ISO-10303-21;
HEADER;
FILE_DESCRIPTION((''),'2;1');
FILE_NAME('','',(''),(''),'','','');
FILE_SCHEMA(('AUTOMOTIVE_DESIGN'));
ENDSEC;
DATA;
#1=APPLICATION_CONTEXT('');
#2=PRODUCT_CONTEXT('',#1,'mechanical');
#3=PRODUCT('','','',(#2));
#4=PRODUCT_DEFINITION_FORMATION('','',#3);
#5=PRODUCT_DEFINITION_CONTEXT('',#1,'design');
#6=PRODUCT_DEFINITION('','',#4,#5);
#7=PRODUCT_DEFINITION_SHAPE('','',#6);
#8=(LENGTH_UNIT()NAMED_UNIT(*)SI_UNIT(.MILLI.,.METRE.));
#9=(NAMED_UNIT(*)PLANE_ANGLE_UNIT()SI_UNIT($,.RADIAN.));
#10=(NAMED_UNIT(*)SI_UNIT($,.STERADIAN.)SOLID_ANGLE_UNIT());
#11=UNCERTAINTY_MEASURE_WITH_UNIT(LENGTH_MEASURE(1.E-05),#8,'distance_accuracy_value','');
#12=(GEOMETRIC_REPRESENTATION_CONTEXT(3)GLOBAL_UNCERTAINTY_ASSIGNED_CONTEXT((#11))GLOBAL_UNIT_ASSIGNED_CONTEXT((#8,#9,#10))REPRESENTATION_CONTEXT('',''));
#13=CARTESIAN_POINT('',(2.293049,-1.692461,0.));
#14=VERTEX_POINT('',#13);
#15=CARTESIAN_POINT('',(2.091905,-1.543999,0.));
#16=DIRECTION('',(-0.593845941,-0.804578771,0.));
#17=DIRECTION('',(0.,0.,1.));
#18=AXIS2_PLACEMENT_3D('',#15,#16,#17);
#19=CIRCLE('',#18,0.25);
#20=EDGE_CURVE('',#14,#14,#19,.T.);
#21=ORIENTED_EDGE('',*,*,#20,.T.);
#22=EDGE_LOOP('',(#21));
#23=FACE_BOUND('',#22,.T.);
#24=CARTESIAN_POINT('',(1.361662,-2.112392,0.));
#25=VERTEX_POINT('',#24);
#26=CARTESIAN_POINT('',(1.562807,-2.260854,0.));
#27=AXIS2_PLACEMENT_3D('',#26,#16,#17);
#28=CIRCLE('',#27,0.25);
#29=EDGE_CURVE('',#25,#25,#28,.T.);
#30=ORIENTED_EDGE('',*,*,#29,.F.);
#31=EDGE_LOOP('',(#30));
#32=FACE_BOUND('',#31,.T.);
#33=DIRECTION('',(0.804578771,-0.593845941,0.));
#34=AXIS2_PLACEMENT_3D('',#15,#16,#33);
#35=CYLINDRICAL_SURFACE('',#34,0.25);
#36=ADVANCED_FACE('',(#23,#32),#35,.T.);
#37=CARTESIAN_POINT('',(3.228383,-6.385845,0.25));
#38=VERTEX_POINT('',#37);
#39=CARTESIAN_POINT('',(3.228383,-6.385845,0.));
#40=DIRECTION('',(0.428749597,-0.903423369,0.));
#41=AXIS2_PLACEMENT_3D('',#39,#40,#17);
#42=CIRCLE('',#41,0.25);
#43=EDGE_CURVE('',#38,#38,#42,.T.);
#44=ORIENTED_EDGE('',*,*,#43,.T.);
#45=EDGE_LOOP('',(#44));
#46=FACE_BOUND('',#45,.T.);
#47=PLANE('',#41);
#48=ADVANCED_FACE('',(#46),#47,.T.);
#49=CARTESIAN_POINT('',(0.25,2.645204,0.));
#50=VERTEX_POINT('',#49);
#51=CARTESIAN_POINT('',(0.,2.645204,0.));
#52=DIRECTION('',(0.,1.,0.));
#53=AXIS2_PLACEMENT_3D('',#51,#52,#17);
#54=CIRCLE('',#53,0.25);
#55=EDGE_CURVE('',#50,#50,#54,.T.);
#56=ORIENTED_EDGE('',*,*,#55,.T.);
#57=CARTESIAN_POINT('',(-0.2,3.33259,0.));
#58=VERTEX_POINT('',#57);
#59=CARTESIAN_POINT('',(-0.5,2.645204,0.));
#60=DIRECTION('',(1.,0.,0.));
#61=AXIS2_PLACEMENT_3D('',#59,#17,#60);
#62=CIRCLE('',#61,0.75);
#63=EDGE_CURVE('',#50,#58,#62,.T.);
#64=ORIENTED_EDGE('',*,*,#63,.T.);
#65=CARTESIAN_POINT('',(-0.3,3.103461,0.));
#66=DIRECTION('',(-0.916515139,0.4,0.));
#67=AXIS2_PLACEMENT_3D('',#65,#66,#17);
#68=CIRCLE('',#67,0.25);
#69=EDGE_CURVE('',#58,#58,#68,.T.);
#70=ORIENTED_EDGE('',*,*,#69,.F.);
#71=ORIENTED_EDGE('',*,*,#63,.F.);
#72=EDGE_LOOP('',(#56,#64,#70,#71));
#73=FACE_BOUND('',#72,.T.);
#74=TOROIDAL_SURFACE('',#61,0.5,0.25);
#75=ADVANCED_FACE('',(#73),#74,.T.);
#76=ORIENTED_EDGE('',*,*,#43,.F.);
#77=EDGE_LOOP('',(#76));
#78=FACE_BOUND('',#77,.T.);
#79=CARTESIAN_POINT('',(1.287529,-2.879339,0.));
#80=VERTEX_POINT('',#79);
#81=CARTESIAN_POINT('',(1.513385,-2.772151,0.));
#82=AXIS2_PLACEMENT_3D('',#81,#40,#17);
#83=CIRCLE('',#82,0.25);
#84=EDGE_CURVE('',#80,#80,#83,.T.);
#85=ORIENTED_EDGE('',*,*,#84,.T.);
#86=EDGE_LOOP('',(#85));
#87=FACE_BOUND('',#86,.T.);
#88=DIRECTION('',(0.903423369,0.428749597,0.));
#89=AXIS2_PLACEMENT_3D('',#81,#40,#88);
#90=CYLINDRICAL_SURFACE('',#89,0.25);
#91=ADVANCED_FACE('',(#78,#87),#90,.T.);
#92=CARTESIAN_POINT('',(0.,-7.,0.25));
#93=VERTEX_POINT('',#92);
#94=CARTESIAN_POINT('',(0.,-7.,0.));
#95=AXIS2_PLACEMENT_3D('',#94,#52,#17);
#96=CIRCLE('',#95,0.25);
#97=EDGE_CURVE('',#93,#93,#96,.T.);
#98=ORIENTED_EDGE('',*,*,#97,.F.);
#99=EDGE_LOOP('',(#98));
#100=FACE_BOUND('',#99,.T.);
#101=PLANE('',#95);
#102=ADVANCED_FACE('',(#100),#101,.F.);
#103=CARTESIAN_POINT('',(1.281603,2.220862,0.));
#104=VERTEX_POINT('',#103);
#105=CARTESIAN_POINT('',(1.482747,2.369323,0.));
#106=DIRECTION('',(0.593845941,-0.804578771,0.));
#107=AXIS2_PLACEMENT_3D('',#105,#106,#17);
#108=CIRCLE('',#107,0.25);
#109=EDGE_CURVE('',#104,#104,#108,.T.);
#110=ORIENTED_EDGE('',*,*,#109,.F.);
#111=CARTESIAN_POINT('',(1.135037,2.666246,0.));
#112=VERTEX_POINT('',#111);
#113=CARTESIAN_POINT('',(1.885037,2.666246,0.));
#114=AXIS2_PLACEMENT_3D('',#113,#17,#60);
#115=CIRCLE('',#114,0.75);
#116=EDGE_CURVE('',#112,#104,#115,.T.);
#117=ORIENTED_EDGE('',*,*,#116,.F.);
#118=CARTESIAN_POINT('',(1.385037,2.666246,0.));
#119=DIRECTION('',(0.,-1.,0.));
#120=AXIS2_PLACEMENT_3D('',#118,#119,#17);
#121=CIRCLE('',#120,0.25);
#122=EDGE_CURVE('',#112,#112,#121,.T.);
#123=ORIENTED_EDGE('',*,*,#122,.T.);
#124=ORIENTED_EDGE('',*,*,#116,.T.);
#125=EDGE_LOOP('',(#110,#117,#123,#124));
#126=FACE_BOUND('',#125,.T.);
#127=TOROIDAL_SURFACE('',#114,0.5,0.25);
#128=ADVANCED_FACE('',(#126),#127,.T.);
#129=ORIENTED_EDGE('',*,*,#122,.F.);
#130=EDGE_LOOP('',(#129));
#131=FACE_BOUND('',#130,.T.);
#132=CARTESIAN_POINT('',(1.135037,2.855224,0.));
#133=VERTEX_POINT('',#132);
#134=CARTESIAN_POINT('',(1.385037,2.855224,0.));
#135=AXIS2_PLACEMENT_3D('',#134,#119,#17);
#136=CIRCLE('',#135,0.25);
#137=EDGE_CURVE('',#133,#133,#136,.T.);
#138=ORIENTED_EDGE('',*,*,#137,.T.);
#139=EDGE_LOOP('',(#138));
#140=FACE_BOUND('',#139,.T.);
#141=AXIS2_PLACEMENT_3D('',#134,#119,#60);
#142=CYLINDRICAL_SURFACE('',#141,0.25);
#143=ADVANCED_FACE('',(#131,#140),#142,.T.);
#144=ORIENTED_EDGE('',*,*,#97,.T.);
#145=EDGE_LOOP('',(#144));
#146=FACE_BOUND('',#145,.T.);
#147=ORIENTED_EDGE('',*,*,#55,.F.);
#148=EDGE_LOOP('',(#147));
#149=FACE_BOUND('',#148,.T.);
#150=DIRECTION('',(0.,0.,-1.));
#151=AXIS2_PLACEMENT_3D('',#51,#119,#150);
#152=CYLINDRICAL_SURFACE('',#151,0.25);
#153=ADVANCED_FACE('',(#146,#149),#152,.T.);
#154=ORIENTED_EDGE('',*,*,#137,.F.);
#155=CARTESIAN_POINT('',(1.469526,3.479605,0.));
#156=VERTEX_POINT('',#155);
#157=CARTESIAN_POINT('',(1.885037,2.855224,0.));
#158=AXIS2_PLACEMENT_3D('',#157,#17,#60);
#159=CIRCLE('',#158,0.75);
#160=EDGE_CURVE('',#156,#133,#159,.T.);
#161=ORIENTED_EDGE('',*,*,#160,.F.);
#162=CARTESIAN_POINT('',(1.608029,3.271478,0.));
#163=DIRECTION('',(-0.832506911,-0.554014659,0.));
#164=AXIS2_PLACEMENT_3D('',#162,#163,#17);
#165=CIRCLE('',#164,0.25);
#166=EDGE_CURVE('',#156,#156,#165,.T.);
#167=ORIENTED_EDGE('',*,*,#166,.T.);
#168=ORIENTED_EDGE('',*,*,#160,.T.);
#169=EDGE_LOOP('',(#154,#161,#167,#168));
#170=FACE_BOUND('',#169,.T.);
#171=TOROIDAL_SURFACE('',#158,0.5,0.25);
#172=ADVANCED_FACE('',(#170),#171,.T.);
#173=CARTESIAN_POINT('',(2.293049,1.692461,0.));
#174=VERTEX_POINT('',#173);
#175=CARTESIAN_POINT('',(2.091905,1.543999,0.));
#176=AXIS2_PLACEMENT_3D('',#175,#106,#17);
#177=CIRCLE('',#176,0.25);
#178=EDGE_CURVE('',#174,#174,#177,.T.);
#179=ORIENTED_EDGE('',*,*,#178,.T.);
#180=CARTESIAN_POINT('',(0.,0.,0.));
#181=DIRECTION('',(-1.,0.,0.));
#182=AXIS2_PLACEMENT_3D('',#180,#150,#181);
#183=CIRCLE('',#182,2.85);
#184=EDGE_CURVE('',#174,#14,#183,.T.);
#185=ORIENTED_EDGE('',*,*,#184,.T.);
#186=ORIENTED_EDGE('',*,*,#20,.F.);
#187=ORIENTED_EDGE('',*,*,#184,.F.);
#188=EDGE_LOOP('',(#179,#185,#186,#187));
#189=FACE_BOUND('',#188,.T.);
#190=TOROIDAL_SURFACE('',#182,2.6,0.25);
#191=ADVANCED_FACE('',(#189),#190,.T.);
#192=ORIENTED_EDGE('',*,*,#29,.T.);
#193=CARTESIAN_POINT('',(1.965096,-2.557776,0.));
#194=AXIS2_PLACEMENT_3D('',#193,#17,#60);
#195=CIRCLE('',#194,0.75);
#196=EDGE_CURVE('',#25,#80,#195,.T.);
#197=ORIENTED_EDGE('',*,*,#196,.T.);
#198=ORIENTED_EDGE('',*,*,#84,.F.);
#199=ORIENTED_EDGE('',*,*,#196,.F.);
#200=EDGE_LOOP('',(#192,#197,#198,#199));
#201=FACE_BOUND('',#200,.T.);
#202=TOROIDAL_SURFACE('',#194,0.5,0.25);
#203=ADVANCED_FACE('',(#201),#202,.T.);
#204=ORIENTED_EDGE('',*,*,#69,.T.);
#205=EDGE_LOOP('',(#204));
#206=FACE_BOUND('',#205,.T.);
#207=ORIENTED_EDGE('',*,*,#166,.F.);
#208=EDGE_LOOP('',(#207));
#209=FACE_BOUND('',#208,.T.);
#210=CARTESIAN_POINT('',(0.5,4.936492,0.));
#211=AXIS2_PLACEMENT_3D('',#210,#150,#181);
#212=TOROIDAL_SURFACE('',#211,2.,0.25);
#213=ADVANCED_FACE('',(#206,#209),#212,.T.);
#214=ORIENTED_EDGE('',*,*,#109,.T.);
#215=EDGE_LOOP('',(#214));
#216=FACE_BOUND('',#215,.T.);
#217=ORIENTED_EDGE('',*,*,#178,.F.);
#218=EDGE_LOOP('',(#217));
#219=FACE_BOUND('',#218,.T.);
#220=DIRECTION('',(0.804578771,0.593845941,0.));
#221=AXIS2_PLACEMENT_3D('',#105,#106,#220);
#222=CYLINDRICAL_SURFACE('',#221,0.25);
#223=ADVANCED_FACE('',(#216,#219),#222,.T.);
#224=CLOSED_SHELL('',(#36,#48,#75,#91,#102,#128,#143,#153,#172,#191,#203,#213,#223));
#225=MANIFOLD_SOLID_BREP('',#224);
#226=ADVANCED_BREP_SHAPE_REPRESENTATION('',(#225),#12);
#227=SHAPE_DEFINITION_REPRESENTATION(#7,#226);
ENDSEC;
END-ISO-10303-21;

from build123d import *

# Parameters (mm, degrees)
ESQUISSE2_R = 0.25


with BuildPart() as part:
    # Base-Balayage: sweep along a path in Esquisse1
    with BuildLine(Plane.XY) as base_balayage_path:
        Line((0, -7), (0, 2.645203826))
        ThreePointArc((0, 2.645203826), (-0.081669987, 2.919065104), (-0.3, 3.103461395))
        ThreePointArc((-0.3, 3.103461395), (0.324563694, 6.92878234), (1.608029318, 3.271477851))
        ThreePointArc((1.608029318, 3.271477851), (1.444296552, 3.091334894), (1.385036648, 2.855224395))
        Line((1.385036648, 2.855224395), (1.385036648, 2.66624628))
        ThreePointArc((1.385036648, 2.66624628), (1.410092076, 2.509952795), (1.482747263, 2.36932331))
        Line((1.482747263, 2.36932331), (2.091904805, 1.543999446))
        ThreePointArc((2.091904805, 1.543999446), (2.6, 0), (2.091904805, -1.543999446))
        Line((2.091904805, -1.543999446), (1.562806978, -2.260853514))
        ThreePointArc((1.562806978, -2.260853514), (1.467415935, -2.509670445), (1.51338468, -2.772151283))
        Line((1.51338468, -2.772151283), (3.228383069, -6.385844758))
    # Esquisse2 → Base-Balayage (sweep)
    with BuildSketch(Plane(origin=(0, -7, 0), x_dir=(-1, 0, 0), z_dir=(0, 1, 0))):
        Circle(ESQUISSE2_R)
    sweep(path=base_balayage_path.line)


solid = part.part
